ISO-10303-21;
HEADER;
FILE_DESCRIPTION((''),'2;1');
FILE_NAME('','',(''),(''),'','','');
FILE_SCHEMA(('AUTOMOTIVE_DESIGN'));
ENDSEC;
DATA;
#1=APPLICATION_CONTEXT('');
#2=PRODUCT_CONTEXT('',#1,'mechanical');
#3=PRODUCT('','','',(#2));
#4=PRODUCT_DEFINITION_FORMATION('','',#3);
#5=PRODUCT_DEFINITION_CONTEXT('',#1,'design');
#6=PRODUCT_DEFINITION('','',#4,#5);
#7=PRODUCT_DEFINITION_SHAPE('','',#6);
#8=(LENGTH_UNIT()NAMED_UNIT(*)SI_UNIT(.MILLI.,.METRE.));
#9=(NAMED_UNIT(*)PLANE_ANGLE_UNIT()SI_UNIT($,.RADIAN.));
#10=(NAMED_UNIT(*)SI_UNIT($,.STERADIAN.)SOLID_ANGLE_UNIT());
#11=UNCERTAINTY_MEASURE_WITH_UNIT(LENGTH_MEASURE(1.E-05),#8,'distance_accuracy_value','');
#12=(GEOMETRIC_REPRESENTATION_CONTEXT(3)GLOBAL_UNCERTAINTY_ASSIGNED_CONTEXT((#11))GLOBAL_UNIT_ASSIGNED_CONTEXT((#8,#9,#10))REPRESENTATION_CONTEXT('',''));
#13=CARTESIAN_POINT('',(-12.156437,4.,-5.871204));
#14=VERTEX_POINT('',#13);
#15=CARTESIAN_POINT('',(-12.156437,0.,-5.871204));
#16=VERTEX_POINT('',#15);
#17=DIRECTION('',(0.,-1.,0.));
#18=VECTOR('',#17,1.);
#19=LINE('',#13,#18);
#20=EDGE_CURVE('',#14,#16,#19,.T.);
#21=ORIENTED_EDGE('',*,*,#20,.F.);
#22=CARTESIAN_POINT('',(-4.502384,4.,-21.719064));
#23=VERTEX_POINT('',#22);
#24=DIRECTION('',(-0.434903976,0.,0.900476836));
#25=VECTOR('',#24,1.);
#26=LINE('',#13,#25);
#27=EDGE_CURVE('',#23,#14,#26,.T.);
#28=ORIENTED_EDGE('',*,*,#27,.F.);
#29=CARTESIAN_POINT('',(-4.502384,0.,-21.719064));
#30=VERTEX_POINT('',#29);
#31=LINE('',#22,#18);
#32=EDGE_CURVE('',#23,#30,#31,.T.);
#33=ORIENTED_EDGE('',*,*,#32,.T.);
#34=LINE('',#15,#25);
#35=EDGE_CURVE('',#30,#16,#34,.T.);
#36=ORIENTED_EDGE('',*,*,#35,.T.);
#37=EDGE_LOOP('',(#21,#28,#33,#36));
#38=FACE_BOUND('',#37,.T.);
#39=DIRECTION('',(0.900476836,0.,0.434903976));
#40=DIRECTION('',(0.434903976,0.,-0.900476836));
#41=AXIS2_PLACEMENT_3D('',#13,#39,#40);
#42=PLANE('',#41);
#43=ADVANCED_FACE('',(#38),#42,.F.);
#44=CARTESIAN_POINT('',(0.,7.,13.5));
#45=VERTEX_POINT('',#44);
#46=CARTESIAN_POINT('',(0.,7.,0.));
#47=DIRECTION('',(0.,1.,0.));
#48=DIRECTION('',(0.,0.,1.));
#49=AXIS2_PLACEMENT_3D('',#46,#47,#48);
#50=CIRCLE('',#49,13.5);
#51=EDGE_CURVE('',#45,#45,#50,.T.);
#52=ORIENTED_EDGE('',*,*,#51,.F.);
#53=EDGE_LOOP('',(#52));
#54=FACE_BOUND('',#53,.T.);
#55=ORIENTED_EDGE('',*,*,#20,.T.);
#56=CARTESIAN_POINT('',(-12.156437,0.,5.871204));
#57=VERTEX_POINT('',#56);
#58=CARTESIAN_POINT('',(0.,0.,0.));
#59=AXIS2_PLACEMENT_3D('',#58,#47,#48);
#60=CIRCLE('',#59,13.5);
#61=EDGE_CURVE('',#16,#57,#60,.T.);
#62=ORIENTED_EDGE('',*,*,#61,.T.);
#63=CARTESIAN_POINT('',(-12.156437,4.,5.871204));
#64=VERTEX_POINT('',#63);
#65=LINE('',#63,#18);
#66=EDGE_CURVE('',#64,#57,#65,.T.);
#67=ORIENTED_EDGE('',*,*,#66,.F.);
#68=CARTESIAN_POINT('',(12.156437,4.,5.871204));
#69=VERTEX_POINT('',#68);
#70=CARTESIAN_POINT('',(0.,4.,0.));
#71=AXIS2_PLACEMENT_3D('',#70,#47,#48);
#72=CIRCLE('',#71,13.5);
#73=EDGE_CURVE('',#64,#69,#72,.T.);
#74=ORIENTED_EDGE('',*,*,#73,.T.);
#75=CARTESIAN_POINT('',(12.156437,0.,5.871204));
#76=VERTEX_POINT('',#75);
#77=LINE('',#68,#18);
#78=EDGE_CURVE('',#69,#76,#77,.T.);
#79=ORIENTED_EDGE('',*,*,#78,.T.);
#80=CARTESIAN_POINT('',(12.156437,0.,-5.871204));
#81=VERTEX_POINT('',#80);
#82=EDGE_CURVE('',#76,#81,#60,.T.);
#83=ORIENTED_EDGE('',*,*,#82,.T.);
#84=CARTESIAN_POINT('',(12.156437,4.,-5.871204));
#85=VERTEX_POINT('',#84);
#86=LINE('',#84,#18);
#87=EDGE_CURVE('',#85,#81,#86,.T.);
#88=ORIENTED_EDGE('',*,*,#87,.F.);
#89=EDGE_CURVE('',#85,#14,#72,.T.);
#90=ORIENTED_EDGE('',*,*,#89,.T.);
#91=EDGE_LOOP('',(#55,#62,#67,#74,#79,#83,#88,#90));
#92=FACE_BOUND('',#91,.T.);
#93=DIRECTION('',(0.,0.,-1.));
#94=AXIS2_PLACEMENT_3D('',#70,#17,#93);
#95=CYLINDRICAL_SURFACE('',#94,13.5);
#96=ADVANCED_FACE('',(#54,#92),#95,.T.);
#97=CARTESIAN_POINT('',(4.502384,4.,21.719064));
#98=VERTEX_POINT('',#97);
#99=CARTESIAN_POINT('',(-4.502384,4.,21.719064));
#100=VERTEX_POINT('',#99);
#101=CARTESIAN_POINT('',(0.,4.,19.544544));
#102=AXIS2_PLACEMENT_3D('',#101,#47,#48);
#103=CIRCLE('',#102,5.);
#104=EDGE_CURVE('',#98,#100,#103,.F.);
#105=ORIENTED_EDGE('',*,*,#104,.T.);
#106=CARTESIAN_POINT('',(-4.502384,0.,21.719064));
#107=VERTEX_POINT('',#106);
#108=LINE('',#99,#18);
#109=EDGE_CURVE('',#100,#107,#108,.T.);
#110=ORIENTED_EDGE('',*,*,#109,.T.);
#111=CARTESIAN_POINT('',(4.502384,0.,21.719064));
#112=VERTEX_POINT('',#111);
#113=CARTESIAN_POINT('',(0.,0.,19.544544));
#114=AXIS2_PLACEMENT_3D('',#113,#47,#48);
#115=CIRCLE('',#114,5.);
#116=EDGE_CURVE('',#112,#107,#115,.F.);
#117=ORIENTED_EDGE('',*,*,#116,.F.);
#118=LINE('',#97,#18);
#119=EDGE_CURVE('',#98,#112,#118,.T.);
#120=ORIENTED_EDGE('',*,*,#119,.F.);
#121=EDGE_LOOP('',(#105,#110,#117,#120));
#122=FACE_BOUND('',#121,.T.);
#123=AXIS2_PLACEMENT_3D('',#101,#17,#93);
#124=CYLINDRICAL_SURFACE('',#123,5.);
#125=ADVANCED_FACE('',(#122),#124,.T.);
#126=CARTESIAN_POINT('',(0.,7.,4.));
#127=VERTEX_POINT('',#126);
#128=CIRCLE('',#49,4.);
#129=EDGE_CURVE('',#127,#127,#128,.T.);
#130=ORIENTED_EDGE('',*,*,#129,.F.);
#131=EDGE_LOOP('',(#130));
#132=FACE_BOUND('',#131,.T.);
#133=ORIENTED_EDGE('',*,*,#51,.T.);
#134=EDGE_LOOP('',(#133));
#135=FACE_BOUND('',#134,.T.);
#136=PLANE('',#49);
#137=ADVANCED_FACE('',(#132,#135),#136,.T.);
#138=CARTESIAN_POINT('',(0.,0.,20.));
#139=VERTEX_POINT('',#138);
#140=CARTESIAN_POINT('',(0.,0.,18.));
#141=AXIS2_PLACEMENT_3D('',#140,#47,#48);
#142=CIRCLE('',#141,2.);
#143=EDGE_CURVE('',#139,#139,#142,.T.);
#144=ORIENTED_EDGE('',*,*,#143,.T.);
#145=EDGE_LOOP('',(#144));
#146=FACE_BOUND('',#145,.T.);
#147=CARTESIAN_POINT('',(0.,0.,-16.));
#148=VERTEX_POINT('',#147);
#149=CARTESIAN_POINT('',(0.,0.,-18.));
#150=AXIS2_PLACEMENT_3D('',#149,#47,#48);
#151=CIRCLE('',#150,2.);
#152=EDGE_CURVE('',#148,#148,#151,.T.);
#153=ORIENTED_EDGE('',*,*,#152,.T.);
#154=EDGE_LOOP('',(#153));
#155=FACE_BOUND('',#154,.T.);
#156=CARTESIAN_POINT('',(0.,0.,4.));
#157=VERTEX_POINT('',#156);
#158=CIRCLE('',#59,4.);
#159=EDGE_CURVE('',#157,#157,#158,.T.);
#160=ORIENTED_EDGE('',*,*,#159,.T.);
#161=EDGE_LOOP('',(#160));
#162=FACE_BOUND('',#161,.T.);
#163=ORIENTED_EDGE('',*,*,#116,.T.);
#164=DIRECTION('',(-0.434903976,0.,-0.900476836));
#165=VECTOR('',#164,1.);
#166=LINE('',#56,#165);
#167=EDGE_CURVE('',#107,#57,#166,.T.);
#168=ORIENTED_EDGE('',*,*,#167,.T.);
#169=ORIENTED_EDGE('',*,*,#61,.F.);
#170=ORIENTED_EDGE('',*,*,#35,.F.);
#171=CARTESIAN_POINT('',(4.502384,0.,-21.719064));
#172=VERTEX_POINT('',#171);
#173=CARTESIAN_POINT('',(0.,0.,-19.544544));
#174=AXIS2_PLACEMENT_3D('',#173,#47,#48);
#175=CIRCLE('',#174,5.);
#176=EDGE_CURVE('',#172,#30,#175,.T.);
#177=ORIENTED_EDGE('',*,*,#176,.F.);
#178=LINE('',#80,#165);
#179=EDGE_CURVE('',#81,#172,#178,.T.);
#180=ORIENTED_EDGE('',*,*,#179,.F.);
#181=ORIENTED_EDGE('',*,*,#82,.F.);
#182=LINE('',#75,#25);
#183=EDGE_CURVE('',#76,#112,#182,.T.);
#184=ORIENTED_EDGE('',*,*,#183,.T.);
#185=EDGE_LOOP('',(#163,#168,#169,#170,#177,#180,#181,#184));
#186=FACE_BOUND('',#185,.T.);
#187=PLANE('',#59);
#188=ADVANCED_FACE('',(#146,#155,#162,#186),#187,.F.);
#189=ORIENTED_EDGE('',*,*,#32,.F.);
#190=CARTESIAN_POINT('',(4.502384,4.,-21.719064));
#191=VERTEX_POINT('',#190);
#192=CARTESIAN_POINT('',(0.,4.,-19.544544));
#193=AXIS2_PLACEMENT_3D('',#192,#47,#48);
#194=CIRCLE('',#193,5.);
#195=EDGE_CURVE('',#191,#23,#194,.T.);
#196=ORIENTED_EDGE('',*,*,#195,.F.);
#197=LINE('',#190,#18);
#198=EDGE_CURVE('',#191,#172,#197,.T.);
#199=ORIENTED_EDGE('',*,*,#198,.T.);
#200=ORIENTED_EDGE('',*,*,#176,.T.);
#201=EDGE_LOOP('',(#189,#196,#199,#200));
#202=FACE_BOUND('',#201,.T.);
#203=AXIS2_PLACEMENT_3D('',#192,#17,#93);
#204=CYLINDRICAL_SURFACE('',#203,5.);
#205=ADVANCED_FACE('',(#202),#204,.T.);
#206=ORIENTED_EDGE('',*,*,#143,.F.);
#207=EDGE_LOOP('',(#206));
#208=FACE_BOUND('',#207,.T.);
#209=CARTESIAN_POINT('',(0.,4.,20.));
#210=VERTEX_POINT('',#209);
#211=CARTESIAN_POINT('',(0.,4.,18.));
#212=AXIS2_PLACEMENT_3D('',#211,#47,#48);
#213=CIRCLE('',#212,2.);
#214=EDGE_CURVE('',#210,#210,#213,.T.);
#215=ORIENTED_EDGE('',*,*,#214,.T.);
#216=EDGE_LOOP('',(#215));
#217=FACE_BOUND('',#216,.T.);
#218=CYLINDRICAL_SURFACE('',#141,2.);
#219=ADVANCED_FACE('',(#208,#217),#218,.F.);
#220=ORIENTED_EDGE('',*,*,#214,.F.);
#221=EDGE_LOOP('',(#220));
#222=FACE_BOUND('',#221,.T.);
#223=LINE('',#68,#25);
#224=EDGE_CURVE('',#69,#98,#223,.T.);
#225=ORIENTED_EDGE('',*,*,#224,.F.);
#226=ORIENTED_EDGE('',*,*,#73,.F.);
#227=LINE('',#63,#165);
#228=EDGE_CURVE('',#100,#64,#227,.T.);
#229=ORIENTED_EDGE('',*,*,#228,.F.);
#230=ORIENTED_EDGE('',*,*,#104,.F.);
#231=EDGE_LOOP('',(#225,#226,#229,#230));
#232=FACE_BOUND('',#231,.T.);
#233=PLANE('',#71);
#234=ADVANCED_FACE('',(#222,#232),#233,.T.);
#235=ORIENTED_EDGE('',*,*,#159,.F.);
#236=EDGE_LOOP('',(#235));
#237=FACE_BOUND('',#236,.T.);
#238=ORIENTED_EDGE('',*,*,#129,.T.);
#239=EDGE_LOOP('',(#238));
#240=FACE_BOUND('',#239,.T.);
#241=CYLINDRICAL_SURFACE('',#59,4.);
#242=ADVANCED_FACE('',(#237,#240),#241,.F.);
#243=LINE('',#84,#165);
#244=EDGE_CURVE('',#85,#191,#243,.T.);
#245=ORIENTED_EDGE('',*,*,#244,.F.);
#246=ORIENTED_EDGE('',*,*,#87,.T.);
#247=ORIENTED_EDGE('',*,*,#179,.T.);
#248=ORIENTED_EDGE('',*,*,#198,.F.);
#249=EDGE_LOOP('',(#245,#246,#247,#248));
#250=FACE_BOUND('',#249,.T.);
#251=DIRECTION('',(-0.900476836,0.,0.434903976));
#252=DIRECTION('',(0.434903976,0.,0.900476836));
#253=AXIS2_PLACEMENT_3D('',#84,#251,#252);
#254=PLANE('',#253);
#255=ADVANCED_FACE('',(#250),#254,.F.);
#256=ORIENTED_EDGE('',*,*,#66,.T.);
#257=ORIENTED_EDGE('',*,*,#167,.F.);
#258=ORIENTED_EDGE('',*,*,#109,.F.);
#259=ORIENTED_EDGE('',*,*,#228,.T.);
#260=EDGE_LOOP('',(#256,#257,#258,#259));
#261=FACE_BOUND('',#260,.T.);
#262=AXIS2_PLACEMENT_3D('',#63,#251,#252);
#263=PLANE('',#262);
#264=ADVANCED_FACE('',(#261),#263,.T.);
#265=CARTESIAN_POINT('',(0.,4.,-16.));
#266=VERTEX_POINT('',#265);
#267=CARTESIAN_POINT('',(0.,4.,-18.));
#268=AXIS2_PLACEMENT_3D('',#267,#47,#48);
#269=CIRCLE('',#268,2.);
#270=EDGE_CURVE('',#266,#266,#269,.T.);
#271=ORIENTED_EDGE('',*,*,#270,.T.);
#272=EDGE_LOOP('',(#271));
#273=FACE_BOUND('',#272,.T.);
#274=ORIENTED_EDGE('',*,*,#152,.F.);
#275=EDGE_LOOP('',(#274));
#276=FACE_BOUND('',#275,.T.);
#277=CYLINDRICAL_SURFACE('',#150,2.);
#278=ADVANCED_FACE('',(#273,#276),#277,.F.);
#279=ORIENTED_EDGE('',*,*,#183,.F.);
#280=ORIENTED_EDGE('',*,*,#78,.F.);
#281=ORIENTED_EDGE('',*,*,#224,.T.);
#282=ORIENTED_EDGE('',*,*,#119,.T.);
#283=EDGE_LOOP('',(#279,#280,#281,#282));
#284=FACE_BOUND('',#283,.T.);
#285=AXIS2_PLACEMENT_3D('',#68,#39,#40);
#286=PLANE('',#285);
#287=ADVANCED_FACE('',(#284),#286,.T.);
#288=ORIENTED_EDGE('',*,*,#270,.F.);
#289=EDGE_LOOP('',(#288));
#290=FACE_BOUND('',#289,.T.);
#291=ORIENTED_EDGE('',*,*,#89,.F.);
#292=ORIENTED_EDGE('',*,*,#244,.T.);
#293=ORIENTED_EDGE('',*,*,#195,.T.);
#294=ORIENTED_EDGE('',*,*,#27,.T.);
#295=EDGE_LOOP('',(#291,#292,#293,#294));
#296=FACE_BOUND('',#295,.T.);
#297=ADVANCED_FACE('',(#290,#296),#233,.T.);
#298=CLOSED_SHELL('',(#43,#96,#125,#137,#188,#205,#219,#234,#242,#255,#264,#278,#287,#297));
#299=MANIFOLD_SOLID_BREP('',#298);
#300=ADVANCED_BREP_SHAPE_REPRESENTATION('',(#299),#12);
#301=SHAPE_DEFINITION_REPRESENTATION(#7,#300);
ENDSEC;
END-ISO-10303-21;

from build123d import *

# Parameters (mm, degrees)
BOSS_EXTRUDE1_DEPTH = 4
SKETCH2_R           = 2
CUT_EXTRUDE1_DEPTH  = 29.296371725
SKETCH3_R           = 13.5
BOSS_EXTRUDE2_DEPTH = 3
SKETCH4_R           = 4
CUT_EXTRUDE2_DEPTH  = 29.87359785


with BuildPart() as part:
    # Sketch1 → Boss-Extrude1 (new body)
    with BuildSketch(Plane(origin=(0, 0, 0), x_dir=(1, 0, 0), z_dir=(0, 1, 0))):
        with BuildLine():
            ThreePointArc((13.5, 0), (13.159823391, 3.011486067), (12.156437284, 5.871203671))
            ThreePointArc((12.156437284, 5.871203671), (0, 13.5), (-12.156437284, 5.871203671))
            ThreePointArc((-12.156437284, 5.871203671), (-13.159823391, 3.011486067), (-13.5, 0))
            Line((-13.5, 0), (13.5, 0))
        make_face()
        with BuildLine():
            ThreePointArc((12.156437284, -5.871203671), (13.159823391, -3.011486067), (13.5, 0))
            Line((13.5, 0), (-13.5, 0))
            ThreePointArc((-13.5, 0), (-13.159823391, -3.011486067), (-12.156437284, -5.871203671))
            ThreePointArc((-12.156437284, -5.871203671), (0, -13.5), (12.156437284, -5.871203671))
        make_face()
        with BuildLine():
            ThreePointArc((-12.156437284, 5.871203671), (0, 13.5), (12.156437284, 5.871203671))
            Line((12.156437284, 5.871203671), (4.502384179, 21.719064136))
            ThreePointArc((4.502384179, 21.719064136), (0, 24.544544258), (-4.502384179, 21.719064136))
            Line((-4.502384179, 21.719064136), (-12.156437284, 5.871203671))
        make_face()
        with BuildLine():
            Line((4.502384179, -21.719064136), (12.156437284, -5.871203671))
            ThreePointArc((12.156437284, -5.871203671), (0, -13.5), (-12.156437284, -5.871203671))
            Line((-12.156437284, -5.871203671), (-4.502384179, -21.719064136))
            ThreePointArc((-4.502384179, -21.719064136), (0, -24.544544258), (4.502384179, -21.719064136))
        make_face()
    extrude(amount=BOSS_EXTRUDE1_DEPTH)

    # Sketch2 → Cut-Extrude1 (cut, through all)
    with BuildSketch(Plane(origin=(0, 4, 0), x_dir=(1, 0, 0), z_dir=(0, 1, 0))):
        with Locations(Location((0, -18, 0), (0, 0, 270))):
            Circle(SKETCH2_R)
        with Locations(Location((0, 18, 0), (0, 0, 270))):
            Circle(SKETCH2_R)
    extrude(amount=-CUT_EXTRUDE1_DEPTH, mode=Mode.SUBTRACT)

    # Sketch3 → Boss-Extrude2 (add)
    with BuildSketch(Plane(origin=(0, 4, 0), x_dir=(1, 0, 0), z_dir=(0, 1, 0))):
        with Locations(Location((0, 0, 0), (0, 0, 25.779183858))):
            Circle(SKETCH3_R)
    extrude(amount=BOSS_EXTRUDE2_DEPTH)

    # Sketch4 → Cut-Extrude2 (cut, through all)
    with BuildSketch(Plane(origin=(0, 7, 0), x_dir=(1, 0, 0), z_dir=(0, 1, 0))):
        with Locations(Location((0, 0, 0), (0, 0, 270))):
            Circle(SKETCH4_R)
    extrude(amount=-CUT_EXTRUDE2_DEPTH, mode=Mode.SUBTRACT)


solid = part.part
